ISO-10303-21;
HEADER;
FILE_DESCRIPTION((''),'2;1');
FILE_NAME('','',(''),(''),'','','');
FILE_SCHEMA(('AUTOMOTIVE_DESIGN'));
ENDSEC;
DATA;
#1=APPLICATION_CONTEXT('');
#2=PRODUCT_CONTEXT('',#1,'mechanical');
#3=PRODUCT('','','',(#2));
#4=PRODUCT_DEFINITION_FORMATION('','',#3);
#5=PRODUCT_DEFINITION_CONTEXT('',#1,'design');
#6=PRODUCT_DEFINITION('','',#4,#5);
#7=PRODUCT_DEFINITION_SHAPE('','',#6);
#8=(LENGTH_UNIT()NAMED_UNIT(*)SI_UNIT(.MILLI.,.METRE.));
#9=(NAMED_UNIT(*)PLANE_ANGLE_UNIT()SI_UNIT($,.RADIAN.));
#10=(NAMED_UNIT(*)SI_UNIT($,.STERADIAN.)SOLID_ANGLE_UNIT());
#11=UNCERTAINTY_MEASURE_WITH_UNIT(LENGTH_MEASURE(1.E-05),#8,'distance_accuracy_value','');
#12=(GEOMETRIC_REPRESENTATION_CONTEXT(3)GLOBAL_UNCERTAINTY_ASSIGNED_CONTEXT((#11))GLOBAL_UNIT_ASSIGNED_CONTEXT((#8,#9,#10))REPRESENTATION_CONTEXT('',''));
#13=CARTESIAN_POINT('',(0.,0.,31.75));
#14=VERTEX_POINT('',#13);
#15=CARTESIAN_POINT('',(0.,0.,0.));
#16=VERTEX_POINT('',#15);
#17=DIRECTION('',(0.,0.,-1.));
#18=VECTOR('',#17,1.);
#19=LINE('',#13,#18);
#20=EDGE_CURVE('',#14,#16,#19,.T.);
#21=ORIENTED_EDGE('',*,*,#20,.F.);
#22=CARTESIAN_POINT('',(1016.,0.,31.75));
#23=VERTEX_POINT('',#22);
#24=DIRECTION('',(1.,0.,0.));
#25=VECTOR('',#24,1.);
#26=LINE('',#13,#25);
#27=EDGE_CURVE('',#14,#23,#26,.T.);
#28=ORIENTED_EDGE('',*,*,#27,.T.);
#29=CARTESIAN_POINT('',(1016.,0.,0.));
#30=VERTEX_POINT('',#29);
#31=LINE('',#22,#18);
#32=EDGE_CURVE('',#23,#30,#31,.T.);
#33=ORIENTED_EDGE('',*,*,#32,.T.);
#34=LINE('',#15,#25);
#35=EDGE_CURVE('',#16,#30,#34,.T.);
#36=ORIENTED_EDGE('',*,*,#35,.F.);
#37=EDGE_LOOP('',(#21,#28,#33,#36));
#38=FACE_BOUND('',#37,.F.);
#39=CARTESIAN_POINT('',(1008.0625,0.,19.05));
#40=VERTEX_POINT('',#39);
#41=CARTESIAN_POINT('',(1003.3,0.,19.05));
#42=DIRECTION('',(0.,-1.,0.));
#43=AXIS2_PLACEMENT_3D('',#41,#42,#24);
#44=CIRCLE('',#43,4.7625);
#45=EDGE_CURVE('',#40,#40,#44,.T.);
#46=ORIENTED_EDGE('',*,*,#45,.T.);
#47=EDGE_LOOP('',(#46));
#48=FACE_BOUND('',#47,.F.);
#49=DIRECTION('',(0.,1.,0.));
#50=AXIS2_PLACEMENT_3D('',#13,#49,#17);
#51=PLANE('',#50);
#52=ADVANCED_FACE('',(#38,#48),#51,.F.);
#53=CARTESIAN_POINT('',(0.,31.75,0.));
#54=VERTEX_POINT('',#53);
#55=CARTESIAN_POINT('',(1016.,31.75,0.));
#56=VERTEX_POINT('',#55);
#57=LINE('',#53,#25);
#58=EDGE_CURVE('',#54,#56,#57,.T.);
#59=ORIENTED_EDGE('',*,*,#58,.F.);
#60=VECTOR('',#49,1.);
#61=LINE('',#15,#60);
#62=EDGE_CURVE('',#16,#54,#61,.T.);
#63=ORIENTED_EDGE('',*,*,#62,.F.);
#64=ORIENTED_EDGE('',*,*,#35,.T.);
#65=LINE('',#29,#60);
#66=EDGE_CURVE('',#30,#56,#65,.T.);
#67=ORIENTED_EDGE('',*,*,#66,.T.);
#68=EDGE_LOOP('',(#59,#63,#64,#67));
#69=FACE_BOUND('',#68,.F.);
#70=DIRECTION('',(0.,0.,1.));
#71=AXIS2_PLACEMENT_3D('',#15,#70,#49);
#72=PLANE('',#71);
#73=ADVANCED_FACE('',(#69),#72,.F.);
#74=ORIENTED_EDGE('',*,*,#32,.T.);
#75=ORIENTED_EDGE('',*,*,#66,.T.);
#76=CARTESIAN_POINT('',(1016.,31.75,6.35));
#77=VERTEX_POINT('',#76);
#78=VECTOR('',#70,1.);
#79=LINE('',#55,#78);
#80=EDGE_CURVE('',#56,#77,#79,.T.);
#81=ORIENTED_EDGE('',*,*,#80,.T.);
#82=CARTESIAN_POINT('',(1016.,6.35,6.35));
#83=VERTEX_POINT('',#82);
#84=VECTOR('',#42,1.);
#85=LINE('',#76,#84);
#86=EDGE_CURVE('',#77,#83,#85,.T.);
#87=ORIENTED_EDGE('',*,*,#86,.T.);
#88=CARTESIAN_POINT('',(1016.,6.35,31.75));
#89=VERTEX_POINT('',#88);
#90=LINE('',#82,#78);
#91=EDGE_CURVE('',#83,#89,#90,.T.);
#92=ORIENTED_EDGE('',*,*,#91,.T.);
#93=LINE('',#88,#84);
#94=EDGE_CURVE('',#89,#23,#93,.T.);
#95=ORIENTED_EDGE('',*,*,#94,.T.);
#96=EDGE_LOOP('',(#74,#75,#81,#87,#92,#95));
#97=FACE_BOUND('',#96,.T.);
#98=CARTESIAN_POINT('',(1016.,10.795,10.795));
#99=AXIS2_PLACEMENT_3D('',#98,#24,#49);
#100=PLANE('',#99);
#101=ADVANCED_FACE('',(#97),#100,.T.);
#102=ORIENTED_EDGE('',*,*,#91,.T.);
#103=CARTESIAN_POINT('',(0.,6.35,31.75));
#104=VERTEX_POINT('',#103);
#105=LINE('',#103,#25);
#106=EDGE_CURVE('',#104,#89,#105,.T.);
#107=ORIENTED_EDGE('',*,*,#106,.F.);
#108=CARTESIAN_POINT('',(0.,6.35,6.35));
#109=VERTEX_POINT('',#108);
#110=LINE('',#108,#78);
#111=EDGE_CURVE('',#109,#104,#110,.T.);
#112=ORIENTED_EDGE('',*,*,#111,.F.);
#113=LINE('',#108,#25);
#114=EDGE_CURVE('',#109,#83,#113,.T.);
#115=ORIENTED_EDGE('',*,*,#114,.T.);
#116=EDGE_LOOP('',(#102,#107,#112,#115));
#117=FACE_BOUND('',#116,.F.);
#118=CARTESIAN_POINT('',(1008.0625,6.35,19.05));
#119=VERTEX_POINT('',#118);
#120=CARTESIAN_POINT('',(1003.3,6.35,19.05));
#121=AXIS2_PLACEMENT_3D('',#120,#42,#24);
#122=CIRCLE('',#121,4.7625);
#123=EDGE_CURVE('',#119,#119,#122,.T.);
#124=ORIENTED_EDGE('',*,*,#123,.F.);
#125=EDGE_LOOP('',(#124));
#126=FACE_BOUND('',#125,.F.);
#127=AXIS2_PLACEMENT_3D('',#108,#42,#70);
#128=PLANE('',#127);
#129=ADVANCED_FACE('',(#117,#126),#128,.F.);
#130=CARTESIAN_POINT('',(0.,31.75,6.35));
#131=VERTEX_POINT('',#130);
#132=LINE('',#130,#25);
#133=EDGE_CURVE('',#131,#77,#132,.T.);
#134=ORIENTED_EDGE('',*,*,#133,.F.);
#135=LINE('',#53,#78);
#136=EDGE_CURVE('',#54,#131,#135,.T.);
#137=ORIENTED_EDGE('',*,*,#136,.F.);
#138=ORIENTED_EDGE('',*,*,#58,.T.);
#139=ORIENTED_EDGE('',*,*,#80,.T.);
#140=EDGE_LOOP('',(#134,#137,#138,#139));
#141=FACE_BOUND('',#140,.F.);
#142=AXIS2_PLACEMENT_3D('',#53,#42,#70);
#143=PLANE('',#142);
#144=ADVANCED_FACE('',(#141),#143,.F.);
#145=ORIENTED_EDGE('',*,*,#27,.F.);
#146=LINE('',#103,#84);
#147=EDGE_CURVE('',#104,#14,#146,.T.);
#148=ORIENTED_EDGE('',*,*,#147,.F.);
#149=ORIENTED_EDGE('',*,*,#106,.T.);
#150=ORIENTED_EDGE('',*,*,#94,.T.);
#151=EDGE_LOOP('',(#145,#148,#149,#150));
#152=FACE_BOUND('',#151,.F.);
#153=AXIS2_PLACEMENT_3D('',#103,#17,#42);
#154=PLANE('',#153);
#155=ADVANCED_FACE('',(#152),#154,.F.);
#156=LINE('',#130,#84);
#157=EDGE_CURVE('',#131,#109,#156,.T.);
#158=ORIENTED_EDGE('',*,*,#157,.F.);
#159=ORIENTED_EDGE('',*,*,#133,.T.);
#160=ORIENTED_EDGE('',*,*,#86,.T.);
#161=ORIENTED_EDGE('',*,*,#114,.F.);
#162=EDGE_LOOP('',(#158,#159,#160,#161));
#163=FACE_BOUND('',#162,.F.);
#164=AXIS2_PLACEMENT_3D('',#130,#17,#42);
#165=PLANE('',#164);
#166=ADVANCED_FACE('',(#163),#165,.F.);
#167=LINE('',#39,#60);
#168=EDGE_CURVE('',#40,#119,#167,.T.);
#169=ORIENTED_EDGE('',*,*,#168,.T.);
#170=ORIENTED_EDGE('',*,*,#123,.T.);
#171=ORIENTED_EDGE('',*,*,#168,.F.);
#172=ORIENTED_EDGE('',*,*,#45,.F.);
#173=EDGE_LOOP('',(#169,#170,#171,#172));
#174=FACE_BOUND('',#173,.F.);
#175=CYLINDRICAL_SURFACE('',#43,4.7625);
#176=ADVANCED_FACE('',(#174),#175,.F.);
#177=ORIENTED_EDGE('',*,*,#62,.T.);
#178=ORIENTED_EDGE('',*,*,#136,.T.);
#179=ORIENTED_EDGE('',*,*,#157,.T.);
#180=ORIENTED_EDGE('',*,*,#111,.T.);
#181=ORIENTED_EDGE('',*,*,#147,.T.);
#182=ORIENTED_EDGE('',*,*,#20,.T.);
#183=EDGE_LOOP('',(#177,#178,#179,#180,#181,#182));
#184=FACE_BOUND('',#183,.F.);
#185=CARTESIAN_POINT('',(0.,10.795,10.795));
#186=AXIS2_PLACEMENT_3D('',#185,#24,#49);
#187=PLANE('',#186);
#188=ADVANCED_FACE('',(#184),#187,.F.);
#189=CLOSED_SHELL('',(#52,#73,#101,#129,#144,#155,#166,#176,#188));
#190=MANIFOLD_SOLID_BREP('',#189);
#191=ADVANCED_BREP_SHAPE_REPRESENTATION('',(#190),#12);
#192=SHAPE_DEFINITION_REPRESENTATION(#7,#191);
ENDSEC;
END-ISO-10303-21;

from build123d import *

# Parameters (mm, degrees)
F1_DEPTH = 1016
F2_R     = 4.7625
F3_DEPTH = 31.751


with BuildPart() as f1:
    # F0 (on Right) → F1 (new body)
    with BuildSketch(Plane.YZ):
        Polygon((0, 31.75), (0, 0), (31.75, 0), (31.75, 6.35), (6.35, 6.35), (6.35, 31.75), align=None)
    extrude(amount=F1_DEPTH)

    # F2 (on face) → F3 (cut, through all)
    with BuildSketch(Plane.XZ):
        with Locations((1003.3, 19.05)):
            Circle(F2_R)
    extrude(amount=-F3_DEPTH, mode=Mode.SUBTRACT)


solid = f1.part
